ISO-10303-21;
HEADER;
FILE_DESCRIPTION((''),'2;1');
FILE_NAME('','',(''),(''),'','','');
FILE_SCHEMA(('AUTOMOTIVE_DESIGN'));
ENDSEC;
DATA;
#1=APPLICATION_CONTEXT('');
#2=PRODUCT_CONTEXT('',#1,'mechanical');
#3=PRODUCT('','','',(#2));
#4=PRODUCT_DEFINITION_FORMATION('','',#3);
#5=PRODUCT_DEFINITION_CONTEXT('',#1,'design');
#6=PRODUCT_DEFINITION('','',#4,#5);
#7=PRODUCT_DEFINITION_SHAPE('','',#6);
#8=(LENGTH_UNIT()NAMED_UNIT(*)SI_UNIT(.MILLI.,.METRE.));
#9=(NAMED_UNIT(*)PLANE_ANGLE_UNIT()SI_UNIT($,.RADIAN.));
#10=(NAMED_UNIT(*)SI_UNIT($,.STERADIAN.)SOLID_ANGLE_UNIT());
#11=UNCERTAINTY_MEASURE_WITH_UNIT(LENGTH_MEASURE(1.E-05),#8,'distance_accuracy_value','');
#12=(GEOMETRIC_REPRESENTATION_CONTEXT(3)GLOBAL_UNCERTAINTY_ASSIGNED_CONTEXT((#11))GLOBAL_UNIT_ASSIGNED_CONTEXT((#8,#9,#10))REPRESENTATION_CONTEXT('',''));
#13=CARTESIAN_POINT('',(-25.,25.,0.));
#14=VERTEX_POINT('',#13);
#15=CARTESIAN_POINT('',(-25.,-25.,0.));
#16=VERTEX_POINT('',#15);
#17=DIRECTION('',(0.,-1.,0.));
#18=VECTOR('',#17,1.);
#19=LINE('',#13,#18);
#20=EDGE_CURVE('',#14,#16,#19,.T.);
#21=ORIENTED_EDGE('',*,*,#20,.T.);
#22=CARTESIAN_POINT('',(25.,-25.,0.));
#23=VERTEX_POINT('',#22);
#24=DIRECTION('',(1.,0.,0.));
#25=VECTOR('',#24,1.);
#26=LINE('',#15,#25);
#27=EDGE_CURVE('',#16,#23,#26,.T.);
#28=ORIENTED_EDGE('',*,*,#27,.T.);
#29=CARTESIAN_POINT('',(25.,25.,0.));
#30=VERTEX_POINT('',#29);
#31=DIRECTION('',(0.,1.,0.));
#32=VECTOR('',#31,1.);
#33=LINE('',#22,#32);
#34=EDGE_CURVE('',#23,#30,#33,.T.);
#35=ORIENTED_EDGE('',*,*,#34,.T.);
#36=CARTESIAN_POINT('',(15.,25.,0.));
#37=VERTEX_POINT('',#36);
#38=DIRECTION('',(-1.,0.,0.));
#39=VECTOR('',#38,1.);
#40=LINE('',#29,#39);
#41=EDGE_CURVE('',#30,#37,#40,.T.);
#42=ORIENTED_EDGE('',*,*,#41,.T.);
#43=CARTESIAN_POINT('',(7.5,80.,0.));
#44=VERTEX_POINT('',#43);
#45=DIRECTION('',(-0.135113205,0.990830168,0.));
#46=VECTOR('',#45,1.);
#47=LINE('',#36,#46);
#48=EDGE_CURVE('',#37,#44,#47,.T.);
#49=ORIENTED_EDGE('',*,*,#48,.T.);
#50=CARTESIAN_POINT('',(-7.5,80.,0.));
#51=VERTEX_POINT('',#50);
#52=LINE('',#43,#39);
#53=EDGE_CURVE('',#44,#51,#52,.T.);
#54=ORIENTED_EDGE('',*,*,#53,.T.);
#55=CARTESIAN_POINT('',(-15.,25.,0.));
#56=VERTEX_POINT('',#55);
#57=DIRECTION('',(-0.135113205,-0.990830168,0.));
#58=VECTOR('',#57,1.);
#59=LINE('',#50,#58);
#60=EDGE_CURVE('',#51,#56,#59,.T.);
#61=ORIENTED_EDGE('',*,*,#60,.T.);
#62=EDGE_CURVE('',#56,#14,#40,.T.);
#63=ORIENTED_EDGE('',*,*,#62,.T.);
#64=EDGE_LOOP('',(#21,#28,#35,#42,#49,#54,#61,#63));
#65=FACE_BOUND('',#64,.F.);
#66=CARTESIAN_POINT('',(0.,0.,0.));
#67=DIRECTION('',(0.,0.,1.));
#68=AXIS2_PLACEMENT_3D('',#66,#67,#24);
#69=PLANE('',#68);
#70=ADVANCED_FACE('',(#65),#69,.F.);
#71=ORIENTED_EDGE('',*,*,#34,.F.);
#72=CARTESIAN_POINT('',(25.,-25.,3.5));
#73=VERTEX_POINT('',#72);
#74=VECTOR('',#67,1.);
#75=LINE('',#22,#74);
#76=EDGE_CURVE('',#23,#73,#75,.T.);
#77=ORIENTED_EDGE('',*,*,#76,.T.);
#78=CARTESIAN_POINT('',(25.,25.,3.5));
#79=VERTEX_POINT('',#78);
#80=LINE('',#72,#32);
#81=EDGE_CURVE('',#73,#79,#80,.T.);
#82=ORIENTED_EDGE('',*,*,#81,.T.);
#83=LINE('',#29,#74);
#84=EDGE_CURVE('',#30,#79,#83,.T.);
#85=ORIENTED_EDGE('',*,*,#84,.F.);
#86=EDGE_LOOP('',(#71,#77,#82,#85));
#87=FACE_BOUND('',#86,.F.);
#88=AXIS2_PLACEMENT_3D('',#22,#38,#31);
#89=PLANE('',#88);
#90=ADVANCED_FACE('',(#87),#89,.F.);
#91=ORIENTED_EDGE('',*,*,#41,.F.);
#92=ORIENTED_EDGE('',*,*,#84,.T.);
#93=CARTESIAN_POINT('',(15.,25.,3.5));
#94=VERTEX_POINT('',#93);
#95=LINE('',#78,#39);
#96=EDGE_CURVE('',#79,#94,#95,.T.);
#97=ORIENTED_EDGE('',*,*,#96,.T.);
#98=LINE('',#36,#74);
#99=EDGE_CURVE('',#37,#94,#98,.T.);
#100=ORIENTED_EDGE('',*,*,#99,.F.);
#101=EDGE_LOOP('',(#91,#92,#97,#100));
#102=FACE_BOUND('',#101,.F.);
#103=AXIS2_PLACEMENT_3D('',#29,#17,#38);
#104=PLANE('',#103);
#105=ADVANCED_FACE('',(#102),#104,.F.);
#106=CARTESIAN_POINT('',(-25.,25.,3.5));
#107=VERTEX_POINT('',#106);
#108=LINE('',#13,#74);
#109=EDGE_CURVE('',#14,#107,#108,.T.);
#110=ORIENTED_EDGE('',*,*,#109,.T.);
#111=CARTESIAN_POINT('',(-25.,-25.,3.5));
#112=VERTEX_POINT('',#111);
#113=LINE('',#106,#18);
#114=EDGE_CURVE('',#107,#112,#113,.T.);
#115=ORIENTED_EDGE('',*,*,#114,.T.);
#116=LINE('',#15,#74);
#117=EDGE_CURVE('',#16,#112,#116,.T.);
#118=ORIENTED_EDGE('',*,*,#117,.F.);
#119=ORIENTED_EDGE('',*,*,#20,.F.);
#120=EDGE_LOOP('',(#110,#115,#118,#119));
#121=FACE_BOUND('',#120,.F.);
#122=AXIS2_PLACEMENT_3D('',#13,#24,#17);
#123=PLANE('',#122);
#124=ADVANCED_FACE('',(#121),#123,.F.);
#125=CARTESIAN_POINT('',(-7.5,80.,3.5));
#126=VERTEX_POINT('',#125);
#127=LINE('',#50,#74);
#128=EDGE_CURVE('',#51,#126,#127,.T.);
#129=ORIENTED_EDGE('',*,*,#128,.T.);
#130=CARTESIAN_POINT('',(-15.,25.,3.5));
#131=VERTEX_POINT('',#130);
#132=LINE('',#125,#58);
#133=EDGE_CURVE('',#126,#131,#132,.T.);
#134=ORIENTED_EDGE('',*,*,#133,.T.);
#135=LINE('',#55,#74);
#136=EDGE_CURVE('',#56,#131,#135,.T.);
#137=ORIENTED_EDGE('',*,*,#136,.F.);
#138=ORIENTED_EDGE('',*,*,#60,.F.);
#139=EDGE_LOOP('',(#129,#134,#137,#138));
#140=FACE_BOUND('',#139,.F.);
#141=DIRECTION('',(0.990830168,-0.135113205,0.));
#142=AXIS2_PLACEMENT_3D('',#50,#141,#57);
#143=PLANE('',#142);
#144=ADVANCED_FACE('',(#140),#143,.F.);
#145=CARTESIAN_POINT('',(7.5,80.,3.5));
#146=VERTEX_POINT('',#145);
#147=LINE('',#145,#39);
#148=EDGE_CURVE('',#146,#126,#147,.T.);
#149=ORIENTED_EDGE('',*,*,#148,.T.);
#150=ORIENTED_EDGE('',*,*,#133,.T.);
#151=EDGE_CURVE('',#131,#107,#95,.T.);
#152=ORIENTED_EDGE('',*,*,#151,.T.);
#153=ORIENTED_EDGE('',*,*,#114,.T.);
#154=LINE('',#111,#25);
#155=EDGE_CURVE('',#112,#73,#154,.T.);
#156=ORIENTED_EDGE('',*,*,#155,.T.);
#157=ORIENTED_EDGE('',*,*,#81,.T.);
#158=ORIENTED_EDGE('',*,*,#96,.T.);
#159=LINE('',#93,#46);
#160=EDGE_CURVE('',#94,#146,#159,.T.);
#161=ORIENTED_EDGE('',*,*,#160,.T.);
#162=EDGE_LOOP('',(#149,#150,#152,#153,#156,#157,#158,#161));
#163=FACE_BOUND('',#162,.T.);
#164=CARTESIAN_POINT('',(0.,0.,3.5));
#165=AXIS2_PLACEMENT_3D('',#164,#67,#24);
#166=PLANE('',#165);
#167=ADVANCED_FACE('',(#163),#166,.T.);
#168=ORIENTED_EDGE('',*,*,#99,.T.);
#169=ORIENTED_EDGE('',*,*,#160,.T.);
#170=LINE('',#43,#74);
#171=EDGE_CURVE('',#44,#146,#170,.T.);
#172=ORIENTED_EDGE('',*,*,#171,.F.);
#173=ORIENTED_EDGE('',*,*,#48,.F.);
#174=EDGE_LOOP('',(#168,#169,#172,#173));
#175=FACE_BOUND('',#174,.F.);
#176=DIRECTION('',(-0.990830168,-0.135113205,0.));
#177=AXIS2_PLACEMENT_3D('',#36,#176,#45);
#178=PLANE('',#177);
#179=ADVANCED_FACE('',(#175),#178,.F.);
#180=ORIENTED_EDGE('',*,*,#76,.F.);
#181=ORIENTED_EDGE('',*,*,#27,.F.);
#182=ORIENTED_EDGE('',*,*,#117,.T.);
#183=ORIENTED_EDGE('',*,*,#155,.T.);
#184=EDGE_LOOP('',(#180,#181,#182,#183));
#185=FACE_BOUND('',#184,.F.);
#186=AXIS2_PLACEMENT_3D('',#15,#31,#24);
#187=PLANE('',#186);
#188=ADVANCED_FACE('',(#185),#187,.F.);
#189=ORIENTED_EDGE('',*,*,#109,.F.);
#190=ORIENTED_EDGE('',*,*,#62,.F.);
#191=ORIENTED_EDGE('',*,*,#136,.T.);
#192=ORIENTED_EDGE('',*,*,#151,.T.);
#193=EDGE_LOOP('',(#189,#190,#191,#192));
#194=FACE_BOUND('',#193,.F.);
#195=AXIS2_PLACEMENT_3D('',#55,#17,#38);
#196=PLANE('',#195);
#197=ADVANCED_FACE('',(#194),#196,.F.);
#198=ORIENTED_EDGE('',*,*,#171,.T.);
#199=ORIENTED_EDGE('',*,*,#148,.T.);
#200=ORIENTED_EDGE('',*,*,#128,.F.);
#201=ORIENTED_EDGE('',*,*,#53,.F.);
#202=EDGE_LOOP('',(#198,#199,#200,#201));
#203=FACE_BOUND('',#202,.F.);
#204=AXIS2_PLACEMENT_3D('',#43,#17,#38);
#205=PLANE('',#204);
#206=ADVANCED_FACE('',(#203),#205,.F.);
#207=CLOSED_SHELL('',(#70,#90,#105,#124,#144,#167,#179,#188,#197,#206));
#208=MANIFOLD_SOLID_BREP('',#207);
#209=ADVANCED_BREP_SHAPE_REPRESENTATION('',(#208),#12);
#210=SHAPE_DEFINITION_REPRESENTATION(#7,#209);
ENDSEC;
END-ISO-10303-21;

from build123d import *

# Parameters (mm, degrees)
F1_DEPTH = 3.5


with BuildPart() as f1:
    # F0 (on Top) → F1 (new body)
    with BuildSketch(Plane.XY):
        Polygon((-25, -25), (25, -25), (25, 25), (15, 25), (-15, 25), (-25, 25), align=None)
        Polygon((-15, 25), (15, 25), (7.5, 80), (-7.5, 80), align=None)
    extrude(amount=F1_DEPTH)


solid = f1.part
